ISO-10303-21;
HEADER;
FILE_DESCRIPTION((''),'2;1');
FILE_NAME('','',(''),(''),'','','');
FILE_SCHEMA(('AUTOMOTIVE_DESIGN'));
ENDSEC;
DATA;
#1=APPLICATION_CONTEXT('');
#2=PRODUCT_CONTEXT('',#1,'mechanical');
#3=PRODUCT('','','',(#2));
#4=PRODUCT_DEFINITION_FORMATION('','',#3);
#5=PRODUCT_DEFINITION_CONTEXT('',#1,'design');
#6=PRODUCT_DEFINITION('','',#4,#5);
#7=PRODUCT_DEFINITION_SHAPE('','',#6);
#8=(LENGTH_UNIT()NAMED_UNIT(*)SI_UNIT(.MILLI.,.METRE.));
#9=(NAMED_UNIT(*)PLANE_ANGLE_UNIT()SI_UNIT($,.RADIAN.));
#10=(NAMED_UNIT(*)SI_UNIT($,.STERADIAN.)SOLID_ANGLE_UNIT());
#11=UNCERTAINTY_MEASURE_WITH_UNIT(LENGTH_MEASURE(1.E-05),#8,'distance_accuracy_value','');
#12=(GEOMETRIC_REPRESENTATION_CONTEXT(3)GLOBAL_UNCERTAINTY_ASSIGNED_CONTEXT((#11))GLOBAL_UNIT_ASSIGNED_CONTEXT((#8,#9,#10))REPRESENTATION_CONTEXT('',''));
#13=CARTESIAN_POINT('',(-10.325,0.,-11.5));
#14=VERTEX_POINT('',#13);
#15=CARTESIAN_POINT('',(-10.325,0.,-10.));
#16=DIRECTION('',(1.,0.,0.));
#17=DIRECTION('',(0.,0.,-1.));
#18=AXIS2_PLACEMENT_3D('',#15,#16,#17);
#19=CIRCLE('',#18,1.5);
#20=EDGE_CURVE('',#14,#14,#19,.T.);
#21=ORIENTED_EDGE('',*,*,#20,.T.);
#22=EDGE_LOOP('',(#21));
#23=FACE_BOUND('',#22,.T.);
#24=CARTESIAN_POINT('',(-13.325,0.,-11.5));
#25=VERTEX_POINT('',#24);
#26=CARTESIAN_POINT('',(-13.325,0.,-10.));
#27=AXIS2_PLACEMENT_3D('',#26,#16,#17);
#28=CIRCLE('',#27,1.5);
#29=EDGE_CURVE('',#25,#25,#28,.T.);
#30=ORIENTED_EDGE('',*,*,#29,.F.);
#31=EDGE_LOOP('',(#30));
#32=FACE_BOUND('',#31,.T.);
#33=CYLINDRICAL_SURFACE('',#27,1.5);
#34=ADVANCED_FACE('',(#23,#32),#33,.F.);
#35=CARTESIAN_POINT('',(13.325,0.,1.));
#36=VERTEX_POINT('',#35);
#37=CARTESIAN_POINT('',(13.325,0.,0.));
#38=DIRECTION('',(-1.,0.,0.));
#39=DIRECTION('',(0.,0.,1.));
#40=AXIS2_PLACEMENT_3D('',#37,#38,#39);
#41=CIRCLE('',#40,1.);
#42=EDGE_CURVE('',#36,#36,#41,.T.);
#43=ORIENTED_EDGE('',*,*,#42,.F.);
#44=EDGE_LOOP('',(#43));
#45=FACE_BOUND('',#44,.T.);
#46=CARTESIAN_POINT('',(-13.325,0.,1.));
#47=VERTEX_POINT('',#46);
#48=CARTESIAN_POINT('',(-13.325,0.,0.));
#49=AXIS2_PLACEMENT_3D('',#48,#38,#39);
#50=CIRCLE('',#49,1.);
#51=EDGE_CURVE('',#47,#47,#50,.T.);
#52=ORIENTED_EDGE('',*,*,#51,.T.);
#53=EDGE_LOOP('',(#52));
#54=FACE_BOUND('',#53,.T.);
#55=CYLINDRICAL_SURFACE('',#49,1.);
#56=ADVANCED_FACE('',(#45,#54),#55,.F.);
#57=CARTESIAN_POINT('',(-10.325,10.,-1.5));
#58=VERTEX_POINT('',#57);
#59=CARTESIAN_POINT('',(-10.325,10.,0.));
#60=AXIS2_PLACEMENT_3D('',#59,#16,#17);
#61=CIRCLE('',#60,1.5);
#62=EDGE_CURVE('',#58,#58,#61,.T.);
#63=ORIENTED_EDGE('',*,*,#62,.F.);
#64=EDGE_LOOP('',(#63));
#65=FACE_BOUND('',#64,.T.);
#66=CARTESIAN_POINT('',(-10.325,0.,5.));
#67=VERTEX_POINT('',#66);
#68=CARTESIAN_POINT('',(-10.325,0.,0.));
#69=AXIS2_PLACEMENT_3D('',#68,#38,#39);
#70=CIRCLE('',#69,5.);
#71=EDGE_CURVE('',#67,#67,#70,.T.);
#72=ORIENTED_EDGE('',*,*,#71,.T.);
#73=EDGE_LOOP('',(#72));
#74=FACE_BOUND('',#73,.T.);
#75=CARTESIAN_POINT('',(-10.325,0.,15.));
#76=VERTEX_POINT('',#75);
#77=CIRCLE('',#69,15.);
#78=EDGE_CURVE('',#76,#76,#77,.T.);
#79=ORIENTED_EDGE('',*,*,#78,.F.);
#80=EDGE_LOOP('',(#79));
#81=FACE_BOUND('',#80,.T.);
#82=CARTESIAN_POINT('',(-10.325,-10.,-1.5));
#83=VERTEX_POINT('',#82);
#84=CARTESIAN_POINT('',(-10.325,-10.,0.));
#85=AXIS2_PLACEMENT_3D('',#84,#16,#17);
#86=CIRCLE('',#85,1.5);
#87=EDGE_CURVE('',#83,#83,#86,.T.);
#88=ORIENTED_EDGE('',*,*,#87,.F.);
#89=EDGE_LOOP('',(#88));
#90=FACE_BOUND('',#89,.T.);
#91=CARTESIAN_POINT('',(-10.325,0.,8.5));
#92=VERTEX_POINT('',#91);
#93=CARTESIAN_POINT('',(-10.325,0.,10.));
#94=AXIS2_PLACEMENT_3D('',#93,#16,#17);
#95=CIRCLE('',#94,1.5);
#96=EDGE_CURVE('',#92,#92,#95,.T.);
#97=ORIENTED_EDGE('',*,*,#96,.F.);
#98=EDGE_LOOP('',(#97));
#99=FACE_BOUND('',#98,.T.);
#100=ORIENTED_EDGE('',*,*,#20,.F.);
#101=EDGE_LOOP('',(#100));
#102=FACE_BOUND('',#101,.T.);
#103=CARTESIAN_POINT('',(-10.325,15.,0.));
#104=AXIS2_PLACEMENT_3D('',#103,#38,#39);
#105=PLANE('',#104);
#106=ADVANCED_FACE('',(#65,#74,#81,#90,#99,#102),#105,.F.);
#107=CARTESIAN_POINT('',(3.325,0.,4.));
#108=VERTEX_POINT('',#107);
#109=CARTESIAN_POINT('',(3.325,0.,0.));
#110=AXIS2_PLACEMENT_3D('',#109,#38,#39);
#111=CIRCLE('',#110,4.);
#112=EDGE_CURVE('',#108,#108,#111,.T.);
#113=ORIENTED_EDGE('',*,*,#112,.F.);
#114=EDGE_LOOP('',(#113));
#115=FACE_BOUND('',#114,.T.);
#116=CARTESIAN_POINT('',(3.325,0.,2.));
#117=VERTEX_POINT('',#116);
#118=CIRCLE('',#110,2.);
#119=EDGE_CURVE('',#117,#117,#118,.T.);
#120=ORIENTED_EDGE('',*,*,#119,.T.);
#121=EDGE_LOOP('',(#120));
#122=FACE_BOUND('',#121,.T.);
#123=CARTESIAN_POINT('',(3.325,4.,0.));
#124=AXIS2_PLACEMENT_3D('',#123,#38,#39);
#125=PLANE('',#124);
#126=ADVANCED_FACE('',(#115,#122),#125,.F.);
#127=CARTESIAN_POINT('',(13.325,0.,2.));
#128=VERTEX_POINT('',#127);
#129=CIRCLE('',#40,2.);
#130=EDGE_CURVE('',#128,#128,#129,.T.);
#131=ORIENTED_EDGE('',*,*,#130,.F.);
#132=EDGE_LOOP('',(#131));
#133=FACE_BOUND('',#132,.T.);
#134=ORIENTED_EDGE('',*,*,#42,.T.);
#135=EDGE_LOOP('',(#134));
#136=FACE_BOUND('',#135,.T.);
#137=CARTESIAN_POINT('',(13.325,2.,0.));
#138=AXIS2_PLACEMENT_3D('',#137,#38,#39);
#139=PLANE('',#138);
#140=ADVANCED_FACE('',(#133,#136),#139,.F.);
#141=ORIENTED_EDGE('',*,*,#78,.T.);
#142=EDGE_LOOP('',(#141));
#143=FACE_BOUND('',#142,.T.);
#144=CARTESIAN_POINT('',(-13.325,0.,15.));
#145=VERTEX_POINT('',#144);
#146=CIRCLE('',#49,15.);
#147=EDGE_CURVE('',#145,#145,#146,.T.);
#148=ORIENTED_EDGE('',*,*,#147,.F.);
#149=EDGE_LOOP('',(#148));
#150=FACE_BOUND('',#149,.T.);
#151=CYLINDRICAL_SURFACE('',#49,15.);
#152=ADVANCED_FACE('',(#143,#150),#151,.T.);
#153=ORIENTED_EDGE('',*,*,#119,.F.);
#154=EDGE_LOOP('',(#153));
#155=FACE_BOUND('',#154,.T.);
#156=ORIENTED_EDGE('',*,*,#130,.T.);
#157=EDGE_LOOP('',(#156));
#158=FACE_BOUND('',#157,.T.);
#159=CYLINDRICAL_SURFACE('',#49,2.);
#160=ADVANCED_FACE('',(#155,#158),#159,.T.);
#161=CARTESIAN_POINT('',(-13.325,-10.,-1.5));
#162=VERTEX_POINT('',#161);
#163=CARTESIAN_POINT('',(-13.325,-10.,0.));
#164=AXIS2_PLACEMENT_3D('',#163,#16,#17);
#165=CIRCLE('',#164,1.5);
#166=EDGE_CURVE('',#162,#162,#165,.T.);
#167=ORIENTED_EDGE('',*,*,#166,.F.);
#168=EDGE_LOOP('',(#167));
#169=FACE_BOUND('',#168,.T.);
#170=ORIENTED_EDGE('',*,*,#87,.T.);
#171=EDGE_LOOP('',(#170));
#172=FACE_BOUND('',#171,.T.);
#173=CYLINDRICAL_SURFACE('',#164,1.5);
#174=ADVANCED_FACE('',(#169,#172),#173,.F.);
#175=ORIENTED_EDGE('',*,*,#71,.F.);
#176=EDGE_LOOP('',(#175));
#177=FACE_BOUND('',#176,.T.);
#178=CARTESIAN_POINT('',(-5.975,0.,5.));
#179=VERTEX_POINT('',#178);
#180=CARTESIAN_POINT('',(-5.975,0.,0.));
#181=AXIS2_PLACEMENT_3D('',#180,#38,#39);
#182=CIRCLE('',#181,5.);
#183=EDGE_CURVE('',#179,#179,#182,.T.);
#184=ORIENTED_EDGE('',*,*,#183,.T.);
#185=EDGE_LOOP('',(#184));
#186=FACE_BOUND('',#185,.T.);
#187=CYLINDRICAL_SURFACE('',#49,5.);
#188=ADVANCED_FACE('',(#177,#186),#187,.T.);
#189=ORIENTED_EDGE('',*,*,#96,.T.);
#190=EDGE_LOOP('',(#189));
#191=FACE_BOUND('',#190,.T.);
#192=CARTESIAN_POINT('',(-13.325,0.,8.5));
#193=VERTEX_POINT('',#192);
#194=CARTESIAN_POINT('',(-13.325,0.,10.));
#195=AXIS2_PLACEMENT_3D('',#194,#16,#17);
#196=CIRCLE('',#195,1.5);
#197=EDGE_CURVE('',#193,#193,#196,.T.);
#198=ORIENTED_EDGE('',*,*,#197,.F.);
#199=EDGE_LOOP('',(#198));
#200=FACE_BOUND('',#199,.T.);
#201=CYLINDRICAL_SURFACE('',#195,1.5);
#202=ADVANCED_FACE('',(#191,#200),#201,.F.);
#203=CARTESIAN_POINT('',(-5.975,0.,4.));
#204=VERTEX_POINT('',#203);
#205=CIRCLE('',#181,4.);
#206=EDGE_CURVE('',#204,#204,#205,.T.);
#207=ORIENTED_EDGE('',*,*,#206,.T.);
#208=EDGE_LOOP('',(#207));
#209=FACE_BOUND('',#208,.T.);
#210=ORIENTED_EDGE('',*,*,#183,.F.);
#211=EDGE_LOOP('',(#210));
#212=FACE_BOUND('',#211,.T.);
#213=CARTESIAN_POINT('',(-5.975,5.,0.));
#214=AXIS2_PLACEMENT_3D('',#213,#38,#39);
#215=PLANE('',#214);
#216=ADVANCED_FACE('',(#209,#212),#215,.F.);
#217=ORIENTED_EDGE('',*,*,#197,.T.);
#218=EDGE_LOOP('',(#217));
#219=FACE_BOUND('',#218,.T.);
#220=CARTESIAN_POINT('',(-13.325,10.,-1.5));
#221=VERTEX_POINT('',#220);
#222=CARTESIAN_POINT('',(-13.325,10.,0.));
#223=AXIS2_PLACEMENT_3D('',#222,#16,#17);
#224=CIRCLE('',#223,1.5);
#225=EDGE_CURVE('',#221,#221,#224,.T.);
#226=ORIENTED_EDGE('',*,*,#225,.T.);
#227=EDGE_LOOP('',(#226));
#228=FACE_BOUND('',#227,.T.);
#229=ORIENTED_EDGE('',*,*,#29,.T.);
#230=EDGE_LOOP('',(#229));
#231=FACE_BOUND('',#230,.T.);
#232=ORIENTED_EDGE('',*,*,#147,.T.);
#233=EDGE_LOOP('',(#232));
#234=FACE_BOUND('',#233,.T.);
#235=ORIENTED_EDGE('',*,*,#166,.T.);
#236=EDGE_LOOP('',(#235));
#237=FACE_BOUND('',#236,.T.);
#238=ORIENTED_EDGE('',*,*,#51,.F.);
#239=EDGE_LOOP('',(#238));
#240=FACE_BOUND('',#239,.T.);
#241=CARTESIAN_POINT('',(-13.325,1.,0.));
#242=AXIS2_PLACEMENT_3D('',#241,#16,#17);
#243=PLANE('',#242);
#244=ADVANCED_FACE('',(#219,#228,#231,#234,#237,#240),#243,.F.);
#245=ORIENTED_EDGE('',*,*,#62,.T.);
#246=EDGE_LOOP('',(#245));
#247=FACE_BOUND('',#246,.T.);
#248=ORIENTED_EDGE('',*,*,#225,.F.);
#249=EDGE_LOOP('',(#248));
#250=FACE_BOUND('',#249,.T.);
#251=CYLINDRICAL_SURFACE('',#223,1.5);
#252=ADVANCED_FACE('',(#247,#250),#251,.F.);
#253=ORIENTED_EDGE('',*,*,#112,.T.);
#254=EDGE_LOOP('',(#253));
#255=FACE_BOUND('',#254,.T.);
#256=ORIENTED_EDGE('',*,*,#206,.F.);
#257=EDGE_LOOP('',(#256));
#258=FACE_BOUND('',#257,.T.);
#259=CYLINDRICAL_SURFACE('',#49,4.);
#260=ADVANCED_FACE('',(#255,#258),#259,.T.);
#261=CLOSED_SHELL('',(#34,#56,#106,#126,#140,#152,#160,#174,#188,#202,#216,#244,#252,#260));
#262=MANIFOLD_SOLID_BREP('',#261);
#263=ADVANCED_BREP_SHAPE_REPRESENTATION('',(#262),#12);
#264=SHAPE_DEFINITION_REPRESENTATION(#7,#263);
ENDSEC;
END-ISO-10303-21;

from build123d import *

# Parameters (mm, degrees)
SKETCH2_R          = 1.5
CUT_EXTRUDE1_DEPTH = 32.769836323


with BuildPart() as part:
    # Sketch1 → Revolve1 (revolve)
    with BuildSketch(Plane.XY, mode=Mode.PRIVATE) as revolve1_sk:
        Polygon((-13.325, 1), (-13.325, 15), (-10.325, 15), (-10.325, 5), (-5.975, 5), (-5.975, 4), (3.325, 4), (3.325, 2), (13.325, 2), (13.325, 1), align=None)
    revolve(revolve1_sk.sketch.rotate(Axis((-13.325, 0, 0), (1, 0, 0)), 90), axis=Axis((-13.325, 0, 0), (1, 0, 0)))

    # Sketch2 → Cut-Extrude1 (cut, through all)
    with BuildSketch(Plane(origin=(-10.325, 0, 0), x_dir=(0, 0, -1), z_dir=(1, 0, 0))):
        with Locations((0, 10)):
            Circle(SKETCH2_R)
        with Locations((10, 0)):
            Circle(SKETCH2_R)
        with Locations((0, -10)):
            Circle(SKETCH2_R)
        with Locations((-10, 0)):
            Circle(SKETCH2_R)
    extrude(amount=-CUT_EXTRUDE1_DEPTH, mode=Mode.SUBTRACT)


solid = part.part
